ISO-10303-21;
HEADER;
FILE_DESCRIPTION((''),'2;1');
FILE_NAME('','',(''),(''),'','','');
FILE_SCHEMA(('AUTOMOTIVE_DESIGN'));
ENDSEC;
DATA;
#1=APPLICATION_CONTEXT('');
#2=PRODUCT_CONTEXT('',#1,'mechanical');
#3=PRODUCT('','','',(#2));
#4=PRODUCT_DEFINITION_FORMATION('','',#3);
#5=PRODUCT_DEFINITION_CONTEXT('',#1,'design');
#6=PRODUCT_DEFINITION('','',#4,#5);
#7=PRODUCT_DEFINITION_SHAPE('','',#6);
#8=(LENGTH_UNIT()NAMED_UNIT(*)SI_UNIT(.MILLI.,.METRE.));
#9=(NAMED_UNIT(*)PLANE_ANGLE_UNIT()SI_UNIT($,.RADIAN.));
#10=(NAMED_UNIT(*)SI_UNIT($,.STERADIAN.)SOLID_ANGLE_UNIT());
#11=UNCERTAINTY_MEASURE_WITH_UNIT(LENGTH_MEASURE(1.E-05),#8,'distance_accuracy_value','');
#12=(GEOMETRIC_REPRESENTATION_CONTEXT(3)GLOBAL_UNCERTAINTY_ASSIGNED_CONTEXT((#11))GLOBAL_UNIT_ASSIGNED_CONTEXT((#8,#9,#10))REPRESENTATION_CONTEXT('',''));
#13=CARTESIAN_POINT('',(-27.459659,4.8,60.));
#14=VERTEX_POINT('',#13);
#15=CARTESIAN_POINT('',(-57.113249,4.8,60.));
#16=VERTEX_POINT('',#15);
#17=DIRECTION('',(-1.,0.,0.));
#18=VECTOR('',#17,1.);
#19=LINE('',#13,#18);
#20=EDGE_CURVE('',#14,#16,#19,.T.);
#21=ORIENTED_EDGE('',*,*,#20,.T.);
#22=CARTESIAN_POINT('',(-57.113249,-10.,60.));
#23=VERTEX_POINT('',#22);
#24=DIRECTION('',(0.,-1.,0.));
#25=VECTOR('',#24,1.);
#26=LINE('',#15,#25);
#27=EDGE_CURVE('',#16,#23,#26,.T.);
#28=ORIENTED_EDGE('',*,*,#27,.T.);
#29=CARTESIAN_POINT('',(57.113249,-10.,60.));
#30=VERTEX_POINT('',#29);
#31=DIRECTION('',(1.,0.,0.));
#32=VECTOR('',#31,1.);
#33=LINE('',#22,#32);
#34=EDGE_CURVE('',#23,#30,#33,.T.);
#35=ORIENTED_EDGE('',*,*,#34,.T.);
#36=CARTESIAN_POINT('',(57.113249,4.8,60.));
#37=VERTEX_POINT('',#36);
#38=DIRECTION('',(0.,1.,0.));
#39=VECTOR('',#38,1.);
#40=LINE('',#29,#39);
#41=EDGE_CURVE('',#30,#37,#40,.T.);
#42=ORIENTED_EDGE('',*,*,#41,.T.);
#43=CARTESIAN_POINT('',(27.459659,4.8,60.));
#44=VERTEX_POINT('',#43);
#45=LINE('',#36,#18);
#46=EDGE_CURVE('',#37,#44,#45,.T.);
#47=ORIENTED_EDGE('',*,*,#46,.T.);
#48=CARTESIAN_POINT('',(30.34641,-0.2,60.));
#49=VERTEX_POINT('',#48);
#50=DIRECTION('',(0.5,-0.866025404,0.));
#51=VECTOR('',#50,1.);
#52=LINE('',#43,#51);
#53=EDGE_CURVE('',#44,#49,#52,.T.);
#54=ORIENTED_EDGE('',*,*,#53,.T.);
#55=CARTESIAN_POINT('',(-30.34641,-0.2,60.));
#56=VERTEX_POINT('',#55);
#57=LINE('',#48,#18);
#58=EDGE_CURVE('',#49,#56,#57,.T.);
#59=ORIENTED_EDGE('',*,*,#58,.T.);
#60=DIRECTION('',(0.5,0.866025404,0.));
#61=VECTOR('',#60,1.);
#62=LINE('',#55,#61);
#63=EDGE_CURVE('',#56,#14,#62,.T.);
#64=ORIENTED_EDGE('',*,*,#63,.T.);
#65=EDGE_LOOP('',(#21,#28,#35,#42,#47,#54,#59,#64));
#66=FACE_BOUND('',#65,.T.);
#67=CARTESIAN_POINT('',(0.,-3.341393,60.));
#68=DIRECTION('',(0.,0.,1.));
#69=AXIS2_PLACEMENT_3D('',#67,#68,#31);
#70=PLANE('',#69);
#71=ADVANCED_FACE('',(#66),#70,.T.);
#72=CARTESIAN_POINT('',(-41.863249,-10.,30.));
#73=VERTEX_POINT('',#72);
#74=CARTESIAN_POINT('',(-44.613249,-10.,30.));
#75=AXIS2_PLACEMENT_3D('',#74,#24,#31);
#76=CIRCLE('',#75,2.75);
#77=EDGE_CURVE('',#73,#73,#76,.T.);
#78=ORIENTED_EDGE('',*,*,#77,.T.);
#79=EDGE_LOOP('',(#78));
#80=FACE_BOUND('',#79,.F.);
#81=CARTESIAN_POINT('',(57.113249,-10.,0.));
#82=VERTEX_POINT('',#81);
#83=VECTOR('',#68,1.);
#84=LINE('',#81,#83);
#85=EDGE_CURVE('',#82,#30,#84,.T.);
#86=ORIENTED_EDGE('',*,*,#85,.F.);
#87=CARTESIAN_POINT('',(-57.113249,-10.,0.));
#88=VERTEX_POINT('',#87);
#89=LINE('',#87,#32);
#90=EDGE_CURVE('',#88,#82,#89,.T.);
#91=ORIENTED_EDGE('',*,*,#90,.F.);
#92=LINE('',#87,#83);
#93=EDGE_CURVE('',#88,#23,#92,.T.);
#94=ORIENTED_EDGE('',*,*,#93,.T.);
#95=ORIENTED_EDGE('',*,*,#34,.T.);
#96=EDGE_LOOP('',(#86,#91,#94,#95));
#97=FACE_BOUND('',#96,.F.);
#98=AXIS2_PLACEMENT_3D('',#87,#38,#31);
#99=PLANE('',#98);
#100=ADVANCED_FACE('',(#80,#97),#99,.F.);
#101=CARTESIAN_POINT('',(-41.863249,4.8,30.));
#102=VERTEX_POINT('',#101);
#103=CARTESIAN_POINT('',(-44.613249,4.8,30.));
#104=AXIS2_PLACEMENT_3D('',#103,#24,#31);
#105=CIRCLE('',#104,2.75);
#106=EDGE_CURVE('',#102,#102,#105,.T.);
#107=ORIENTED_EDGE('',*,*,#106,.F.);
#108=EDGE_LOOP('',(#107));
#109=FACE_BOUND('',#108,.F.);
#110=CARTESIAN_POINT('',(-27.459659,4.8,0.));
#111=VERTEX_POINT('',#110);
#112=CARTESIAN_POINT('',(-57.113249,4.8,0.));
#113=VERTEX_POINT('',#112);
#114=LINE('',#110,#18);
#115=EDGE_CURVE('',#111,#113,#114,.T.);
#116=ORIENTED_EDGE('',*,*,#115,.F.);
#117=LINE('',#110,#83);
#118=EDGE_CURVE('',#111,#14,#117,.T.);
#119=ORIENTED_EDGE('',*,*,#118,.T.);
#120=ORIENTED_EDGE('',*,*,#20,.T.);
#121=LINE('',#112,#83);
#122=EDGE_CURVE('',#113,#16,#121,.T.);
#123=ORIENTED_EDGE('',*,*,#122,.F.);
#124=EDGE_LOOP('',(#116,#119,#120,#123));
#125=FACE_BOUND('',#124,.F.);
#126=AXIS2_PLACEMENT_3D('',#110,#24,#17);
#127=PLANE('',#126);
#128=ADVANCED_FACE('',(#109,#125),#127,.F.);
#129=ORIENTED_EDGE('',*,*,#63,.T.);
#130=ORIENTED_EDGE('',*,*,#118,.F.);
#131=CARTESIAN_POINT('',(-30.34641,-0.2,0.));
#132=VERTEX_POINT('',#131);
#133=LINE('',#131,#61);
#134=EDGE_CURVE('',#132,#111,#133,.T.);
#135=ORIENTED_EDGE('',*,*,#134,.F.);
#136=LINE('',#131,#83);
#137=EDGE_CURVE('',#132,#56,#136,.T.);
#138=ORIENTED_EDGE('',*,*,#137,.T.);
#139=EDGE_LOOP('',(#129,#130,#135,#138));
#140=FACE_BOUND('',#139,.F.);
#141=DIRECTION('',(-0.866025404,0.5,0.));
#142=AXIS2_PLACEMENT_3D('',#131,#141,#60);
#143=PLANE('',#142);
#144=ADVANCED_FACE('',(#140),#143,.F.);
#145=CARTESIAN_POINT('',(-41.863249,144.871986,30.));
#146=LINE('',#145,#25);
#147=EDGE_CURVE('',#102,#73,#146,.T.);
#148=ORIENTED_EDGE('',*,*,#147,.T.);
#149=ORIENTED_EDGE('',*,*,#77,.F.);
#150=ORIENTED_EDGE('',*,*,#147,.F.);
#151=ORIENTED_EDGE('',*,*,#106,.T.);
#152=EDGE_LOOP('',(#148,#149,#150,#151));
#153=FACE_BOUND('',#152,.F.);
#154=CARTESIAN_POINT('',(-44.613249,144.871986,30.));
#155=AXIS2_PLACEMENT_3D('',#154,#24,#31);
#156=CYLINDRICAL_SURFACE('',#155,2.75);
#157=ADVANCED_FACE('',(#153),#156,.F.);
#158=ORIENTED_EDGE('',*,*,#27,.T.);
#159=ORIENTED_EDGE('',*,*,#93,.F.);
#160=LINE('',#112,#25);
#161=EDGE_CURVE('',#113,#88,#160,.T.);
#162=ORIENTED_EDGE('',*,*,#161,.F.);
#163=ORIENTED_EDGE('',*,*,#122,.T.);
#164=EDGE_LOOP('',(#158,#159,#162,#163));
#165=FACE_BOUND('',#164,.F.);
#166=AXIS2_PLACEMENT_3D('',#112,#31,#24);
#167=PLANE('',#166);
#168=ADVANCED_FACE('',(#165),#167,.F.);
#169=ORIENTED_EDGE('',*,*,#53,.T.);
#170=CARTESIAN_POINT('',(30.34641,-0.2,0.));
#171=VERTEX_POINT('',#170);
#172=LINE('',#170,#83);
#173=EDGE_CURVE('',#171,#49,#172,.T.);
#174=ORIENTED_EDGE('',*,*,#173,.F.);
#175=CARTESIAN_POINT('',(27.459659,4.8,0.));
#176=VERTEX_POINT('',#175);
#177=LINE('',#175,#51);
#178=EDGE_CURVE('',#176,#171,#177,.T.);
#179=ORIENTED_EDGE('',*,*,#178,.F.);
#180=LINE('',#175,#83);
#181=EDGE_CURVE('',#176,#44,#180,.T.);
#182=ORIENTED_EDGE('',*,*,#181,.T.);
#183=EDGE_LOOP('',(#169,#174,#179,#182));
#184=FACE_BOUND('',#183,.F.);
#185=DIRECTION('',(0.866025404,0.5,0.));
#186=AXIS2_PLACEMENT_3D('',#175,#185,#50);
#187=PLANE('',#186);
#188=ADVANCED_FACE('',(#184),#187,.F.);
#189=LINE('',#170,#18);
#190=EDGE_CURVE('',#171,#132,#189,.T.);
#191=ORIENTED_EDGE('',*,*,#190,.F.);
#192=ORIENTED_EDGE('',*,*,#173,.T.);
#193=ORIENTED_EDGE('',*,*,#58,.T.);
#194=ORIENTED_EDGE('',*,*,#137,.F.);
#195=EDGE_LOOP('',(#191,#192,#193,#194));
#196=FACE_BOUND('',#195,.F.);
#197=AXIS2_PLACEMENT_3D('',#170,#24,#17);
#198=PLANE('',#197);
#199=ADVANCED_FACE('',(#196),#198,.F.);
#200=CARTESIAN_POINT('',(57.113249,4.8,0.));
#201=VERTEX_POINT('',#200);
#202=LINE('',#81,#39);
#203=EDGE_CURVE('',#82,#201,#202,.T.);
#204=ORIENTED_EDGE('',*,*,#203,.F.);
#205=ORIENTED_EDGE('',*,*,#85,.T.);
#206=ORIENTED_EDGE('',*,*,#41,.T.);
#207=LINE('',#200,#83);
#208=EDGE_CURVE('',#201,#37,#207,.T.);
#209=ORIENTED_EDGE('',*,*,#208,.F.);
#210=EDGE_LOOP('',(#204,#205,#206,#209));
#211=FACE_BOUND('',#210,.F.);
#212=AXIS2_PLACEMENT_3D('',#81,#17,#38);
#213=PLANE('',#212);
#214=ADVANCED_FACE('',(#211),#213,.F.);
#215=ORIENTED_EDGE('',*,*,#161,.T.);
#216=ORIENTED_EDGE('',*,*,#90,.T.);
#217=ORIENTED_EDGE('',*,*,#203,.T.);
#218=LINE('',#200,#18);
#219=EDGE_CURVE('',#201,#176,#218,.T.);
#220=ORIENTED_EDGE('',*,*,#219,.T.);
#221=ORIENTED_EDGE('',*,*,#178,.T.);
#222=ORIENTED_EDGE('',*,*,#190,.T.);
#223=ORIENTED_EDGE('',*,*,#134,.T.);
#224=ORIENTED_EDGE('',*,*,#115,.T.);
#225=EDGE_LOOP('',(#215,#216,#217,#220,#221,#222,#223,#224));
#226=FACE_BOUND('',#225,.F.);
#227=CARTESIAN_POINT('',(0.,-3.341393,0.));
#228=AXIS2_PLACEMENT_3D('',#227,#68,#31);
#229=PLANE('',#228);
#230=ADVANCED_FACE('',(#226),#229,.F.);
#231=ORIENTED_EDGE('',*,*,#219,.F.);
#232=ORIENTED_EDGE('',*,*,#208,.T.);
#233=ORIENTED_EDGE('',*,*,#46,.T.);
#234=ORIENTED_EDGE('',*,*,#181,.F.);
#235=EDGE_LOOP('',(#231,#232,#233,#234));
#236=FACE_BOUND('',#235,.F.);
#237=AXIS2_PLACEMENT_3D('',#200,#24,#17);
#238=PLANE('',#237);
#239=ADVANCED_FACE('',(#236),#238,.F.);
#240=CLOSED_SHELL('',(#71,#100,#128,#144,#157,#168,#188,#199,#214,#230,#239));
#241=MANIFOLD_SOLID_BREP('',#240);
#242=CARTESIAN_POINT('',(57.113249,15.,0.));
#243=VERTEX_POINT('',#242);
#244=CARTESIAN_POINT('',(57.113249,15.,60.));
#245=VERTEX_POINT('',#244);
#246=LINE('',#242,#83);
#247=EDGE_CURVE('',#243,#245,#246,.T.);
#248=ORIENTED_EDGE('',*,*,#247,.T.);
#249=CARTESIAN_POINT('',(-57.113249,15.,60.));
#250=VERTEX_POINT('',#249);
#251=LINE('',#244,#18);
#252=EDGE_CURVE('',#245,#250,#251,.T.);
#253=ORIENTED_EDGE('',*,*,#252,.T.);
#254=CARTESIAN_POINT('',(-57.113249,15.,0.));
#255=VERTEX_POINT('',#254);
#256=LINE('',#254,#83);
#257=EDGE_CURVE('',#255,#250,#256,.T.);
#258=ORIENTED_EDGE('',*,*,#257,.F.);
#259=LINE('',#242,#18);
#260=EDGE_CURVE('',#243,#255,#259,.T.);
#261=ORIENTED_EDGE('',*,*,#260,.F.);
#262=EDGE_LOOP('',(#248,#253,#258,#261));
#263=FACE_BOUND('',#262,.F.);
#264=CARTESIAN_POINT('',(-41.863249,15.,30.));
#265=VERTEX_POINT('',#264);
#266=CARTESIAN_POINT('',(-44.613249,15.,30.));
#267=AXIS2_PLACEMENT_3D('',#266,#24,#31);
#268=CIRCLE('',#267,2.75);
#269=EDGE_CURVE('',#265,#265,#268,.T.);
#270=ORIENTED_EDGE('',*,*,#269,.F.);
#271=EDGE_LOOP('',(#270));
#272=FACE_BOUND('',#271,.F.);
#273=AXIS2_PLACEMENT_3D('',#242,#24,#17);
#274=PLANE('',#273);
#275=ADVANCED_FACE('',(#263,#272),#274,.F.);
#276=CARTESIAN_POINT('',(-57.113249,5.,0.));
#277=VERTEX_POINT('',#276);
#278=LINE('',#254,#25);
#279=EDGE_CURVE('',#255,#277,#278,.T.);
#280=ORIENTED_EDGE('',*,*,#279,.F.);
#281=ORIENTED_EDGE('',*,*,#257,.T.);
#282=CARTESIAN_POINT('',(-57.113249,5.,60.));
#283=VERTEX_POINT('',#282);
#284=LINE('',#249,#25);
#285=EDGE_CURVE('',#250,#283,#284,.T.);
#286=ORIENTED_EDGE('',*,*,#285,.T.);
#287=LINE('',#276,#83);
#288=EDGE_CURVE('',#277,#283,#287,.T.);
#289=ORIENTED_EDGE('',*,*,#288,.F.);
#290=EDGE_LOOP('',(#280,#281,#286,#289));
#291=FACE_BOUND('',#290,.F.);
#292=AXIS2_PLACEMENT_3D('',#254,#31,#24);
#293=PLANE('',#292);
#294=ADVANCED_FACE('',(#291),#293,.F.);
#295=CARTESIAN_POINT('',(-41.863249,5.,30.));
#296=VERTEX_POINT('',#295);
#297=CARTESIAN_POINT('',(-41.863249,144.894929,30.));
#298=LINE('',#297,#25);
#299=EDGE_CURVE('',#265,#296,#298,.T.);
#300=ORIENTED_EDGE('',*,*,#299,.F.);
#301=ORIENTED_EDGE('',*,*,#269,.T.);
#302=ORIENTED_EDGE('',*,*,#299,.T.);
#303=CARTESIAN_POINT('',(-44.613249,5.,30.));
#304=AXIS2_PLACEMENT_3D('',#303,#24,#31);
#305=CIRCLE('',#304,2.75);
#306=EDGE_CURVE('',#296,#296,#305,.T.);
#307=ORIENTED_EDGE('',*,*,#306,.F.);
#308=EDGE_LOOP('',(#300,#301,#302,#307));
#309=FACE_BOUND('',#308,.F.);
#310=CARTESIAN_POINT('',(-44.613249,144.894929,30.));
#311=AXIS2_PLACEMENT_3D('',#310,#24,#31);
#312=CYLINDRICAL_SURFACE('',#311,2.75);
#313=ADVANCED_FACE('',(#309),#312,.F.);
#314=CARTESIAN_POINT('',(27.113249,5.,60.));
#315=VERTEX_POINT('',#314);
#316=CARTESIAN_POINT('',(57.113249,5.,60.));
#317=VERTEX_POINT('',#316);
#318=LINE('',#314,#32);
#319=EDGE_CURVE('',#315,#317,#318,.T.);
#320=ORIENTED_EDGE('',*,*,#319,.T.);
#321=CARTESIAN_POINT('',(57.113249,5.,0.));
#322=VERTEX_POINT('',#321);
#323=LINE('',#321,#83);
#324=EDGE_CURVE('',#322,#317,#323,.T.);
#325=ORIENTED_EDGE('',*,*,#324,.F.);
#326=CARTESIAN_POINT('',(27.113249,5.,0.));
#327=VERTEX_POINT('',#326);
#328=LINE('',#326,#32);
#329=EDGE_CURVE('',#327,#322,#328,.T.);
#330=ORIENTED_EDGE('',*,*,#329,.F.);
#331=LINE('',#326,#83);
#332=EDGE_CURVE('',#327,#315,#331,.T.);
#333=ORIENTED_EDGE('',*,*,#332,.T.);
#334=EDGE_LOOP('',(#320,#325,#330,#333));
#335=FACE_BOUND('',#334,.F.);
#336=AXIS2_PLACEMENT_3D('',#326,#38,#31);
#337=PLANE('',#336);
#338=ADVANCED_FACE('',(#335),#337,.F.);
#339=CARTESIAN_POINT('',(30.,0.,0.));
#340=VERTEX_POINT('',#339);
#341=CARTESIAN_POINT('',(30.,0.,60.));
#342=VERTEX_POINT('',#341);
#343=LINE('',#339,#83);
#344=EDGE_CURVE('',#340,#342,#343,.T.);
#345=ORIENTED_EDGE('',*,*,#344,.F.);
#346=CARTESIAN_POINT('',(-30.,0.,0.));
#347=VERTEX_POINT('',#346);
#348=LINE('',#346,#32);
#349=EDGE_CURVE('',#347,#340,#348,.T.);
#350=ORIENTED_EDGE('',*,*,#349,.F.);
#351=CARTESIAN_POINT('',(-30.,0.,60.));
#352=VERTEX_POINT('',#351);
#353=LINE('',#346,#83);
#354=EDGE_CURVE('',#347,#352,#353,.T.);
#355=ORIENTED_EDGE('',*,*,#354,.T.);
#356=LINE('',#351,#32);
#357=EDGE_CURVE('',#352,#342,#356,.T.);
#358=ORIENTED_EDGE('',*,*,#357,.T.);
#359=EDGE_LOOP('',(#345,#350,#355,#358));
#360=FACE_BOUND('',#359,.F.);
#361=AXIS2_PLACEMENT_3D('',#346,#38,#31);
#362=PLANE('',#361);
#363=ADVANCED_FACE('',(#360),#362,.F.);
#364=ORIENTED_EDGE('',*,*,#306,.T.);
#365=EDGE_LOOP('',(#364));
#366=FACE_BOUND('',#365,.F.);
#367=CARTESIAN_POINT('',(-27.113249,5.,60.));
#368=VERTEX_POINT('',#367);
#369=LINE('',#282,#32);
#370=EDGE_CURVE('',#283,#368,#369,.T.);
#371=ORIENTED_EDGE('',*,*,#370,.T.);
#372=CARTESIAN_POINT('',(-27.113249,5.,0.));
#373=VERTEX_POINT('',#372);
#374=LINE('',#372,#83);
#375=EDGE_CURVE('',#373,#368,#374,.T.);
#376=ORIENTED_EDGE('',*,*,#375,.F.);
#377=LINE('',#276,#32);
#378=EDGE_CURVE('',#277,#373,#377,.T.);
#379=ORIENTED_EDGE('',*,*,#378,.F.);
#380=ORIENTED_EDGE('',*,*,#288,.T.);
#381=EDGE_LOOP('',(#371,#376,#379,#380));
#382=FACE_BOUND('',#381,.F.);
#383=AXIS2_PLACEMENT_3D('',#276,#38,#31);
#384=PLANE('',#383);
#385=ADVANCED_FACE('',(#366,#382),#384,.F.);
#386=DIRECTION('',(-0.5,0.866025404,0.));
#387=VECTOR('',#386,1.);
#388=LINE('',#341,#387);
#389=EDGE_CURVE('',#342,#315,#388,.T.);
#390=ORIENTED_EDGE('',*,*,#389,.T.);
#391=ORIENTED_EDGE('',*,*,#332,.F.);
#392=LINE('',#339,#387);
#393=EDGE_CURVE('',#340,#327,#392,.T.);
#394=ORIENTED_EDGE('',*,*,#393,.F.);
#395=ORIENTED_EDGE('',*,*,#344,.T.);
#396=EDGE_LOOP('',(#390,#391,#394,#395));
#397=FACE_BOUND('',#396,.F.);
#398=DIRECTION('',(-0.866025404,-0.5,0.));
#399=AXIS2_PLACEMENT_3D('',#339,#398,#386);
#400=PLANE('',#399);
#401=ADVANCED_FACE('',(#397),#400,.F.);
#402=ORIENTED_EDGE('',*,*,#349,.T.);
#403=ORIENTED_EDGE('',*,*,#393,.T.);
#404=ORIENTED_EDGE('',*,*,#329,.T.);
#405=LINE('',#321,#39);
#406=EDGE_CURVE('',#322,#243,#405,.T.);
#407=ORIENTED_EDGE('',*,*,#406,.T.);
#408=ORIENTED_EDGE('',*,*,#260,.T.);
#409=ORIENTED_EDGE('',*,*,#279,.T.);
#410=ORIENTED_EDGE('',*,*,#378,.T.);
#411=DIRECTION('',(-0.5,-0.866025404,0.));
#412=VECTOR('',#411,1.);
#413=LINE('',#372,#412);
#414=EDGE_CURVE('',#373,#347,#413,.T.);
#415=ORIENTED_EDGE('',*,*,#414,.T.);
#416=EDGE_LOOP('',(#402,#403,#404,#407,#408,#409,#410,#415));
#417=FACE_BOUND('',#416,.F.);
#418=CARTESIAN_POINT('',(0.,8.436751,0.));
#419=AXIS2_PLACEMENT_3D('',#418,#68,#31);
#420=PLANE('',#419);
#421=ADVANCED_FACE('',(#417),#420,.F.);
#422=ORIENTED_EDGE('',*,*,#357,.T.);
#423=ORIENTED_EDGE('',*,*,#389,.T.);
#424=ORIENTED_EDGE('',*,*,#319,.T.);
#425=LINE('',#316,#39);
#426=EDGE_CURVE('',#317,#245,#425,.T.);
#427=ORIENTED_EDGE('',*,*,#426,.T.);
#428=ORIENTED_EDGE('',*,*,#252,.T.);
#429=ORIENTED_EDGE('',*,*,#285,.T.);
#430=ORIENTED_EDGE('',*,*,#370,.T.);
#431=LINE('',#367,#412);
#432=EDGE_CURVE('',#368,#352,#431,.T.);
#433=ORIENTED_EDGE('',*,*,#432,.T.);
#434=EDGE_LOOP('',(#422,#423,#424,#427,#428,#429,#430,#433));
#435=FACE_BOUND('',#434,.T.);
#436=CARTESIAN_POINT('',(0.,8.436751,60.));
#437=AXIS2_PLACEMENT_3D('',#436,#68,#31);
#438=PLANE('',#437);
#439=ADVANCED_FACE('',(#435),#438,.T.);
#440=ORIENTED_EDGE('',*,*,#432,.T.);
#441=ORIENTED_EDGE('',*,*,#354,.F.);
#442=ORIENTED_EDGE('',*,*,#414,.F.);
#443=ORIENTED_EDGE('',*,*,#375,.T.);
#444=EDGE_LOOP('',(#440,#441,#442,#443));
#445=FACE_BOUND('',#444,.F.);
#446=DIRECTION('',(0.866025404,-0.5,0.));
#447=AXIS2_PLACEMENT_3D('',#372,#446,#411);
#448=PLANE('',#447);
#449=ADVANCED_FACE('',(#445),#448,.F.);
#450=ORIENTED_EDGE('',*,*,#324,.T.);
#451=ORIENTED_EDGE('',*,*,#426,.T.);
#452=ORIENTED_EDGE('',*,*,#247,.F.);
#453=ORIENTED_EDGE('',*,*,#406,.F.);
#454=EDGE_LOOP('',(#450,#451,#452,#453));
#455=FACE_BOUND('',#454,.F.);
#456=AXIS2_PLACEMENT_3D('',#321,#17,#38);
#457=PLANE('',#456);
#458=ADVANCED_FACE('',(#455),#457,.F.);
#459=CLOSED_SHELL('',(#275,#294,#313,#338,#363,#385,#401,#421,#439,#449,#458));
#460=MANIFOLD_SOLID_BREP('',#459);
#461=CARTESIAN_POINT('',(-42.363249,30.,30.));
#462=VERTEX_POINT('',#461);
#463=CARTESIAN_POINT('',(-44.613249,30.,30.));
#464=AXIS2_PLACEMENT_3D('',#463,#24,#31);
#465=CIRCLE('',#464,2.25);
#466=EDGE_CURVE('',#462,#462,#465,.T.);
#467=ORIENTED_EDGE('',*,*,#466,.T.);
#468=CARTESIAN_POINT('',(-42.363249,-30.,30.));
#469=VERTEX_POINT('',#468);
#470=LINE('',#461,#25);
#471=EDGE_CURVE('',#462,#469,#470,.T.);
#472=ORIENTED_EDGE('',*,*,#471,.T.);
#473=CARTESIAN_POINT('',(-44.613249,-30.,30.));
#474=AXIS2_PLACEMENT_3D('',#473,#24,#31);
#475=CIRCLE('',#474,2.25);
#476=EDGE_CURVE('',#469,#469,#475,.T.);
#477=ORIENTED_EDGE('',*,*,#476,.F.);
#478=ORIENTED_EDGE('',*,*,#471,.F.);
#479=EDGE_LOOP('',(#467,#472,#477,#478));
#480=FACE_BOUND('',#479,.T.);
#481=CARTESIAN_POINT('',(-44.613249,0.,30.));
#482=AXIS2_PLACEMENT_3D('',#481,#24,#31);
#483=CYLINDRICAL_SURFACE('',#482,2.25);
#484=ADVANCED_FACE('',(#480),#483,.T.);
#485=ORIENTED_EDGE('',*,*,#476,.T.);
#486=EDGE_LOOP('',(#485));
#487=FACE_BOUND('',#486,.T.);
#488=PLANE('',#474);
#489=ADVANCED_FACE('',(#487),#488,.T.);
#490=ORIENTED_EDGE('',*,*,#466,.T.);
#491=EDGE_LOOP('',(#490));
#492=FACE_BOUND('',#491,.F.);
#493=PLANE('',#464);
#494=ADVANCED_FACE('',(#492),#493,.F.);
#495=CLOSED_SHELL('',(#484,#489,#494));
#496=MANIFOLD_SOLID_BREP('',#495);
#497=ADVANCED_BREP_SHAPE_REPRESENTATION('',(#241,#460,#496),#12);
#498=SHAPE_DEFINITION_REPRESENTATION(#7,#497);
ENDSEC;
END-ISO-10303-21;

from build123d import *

# Parameters (mm, degrees)
F1_DEPTH = 60
F3_D     = 5.5
F3_2_D   = 5.5
F4_R     = 2.25
F5_DEPTH = 30


with BuildPart() as f1:
    # F0 (on Top) → F1 (new body)
    with BuildSketch(Plane.XY):
        Polygon((57.1132486541, 15), (-57.1132486541, 15), (-57.1132486541, 5), (-27.1132486541, 5), (-30, 0), (0, 0), (30, 0), (27.1132486541, 5), (57.1132486541, 5), align=None)
    extrude(amount=F1_DEPTH)

    # F3 (through all)
    with Locations(Plane(origin=(0, 15, 0), x_dir=(-1, 0, 0), z_dir=(0, 1, 0))):
        with Locations((44.6132486541, 30)):
            Hole(F3_D / 2)


with BuildPart() as f1b:
    # F0 (on Top) → F1, piece 2 (new body)
    with BuildSketch(Plane.XY):
        Polygon((-27.4596588156, 4.8), (-57.1132486541, 4.8), (-57.1132486541, -10), (57.1132486541, -10), (57.1132486541, 4.8), (27.4596588156, 4.8), (30.3464101615, -0.2), (0, -0.2), (-30.3464101615, -0.2), align=None)
    extrude(amount=F1_DEPTH)

    # F3#2 (through all)
    with Locations(Plane(origin=(0, 15, 0), x_dir=(-1, 0, 0), z_dir=(0, 1, 0))):
        with Locations((44.6132486541, 30)):
            Hole(F3_2_D / 2)


with BuildPart() as f5:
    # F4 (on Front) → F5 (new body, symmetric)
    with BuildSketch(Plane.XZ):
        with Locations((-44.6132486541, 30)):
            Circle(F4_R)
    extrude(amount=F5_DEPTH, both=True)


solid = Compound([f1.part, f1b.part, f5.part])
